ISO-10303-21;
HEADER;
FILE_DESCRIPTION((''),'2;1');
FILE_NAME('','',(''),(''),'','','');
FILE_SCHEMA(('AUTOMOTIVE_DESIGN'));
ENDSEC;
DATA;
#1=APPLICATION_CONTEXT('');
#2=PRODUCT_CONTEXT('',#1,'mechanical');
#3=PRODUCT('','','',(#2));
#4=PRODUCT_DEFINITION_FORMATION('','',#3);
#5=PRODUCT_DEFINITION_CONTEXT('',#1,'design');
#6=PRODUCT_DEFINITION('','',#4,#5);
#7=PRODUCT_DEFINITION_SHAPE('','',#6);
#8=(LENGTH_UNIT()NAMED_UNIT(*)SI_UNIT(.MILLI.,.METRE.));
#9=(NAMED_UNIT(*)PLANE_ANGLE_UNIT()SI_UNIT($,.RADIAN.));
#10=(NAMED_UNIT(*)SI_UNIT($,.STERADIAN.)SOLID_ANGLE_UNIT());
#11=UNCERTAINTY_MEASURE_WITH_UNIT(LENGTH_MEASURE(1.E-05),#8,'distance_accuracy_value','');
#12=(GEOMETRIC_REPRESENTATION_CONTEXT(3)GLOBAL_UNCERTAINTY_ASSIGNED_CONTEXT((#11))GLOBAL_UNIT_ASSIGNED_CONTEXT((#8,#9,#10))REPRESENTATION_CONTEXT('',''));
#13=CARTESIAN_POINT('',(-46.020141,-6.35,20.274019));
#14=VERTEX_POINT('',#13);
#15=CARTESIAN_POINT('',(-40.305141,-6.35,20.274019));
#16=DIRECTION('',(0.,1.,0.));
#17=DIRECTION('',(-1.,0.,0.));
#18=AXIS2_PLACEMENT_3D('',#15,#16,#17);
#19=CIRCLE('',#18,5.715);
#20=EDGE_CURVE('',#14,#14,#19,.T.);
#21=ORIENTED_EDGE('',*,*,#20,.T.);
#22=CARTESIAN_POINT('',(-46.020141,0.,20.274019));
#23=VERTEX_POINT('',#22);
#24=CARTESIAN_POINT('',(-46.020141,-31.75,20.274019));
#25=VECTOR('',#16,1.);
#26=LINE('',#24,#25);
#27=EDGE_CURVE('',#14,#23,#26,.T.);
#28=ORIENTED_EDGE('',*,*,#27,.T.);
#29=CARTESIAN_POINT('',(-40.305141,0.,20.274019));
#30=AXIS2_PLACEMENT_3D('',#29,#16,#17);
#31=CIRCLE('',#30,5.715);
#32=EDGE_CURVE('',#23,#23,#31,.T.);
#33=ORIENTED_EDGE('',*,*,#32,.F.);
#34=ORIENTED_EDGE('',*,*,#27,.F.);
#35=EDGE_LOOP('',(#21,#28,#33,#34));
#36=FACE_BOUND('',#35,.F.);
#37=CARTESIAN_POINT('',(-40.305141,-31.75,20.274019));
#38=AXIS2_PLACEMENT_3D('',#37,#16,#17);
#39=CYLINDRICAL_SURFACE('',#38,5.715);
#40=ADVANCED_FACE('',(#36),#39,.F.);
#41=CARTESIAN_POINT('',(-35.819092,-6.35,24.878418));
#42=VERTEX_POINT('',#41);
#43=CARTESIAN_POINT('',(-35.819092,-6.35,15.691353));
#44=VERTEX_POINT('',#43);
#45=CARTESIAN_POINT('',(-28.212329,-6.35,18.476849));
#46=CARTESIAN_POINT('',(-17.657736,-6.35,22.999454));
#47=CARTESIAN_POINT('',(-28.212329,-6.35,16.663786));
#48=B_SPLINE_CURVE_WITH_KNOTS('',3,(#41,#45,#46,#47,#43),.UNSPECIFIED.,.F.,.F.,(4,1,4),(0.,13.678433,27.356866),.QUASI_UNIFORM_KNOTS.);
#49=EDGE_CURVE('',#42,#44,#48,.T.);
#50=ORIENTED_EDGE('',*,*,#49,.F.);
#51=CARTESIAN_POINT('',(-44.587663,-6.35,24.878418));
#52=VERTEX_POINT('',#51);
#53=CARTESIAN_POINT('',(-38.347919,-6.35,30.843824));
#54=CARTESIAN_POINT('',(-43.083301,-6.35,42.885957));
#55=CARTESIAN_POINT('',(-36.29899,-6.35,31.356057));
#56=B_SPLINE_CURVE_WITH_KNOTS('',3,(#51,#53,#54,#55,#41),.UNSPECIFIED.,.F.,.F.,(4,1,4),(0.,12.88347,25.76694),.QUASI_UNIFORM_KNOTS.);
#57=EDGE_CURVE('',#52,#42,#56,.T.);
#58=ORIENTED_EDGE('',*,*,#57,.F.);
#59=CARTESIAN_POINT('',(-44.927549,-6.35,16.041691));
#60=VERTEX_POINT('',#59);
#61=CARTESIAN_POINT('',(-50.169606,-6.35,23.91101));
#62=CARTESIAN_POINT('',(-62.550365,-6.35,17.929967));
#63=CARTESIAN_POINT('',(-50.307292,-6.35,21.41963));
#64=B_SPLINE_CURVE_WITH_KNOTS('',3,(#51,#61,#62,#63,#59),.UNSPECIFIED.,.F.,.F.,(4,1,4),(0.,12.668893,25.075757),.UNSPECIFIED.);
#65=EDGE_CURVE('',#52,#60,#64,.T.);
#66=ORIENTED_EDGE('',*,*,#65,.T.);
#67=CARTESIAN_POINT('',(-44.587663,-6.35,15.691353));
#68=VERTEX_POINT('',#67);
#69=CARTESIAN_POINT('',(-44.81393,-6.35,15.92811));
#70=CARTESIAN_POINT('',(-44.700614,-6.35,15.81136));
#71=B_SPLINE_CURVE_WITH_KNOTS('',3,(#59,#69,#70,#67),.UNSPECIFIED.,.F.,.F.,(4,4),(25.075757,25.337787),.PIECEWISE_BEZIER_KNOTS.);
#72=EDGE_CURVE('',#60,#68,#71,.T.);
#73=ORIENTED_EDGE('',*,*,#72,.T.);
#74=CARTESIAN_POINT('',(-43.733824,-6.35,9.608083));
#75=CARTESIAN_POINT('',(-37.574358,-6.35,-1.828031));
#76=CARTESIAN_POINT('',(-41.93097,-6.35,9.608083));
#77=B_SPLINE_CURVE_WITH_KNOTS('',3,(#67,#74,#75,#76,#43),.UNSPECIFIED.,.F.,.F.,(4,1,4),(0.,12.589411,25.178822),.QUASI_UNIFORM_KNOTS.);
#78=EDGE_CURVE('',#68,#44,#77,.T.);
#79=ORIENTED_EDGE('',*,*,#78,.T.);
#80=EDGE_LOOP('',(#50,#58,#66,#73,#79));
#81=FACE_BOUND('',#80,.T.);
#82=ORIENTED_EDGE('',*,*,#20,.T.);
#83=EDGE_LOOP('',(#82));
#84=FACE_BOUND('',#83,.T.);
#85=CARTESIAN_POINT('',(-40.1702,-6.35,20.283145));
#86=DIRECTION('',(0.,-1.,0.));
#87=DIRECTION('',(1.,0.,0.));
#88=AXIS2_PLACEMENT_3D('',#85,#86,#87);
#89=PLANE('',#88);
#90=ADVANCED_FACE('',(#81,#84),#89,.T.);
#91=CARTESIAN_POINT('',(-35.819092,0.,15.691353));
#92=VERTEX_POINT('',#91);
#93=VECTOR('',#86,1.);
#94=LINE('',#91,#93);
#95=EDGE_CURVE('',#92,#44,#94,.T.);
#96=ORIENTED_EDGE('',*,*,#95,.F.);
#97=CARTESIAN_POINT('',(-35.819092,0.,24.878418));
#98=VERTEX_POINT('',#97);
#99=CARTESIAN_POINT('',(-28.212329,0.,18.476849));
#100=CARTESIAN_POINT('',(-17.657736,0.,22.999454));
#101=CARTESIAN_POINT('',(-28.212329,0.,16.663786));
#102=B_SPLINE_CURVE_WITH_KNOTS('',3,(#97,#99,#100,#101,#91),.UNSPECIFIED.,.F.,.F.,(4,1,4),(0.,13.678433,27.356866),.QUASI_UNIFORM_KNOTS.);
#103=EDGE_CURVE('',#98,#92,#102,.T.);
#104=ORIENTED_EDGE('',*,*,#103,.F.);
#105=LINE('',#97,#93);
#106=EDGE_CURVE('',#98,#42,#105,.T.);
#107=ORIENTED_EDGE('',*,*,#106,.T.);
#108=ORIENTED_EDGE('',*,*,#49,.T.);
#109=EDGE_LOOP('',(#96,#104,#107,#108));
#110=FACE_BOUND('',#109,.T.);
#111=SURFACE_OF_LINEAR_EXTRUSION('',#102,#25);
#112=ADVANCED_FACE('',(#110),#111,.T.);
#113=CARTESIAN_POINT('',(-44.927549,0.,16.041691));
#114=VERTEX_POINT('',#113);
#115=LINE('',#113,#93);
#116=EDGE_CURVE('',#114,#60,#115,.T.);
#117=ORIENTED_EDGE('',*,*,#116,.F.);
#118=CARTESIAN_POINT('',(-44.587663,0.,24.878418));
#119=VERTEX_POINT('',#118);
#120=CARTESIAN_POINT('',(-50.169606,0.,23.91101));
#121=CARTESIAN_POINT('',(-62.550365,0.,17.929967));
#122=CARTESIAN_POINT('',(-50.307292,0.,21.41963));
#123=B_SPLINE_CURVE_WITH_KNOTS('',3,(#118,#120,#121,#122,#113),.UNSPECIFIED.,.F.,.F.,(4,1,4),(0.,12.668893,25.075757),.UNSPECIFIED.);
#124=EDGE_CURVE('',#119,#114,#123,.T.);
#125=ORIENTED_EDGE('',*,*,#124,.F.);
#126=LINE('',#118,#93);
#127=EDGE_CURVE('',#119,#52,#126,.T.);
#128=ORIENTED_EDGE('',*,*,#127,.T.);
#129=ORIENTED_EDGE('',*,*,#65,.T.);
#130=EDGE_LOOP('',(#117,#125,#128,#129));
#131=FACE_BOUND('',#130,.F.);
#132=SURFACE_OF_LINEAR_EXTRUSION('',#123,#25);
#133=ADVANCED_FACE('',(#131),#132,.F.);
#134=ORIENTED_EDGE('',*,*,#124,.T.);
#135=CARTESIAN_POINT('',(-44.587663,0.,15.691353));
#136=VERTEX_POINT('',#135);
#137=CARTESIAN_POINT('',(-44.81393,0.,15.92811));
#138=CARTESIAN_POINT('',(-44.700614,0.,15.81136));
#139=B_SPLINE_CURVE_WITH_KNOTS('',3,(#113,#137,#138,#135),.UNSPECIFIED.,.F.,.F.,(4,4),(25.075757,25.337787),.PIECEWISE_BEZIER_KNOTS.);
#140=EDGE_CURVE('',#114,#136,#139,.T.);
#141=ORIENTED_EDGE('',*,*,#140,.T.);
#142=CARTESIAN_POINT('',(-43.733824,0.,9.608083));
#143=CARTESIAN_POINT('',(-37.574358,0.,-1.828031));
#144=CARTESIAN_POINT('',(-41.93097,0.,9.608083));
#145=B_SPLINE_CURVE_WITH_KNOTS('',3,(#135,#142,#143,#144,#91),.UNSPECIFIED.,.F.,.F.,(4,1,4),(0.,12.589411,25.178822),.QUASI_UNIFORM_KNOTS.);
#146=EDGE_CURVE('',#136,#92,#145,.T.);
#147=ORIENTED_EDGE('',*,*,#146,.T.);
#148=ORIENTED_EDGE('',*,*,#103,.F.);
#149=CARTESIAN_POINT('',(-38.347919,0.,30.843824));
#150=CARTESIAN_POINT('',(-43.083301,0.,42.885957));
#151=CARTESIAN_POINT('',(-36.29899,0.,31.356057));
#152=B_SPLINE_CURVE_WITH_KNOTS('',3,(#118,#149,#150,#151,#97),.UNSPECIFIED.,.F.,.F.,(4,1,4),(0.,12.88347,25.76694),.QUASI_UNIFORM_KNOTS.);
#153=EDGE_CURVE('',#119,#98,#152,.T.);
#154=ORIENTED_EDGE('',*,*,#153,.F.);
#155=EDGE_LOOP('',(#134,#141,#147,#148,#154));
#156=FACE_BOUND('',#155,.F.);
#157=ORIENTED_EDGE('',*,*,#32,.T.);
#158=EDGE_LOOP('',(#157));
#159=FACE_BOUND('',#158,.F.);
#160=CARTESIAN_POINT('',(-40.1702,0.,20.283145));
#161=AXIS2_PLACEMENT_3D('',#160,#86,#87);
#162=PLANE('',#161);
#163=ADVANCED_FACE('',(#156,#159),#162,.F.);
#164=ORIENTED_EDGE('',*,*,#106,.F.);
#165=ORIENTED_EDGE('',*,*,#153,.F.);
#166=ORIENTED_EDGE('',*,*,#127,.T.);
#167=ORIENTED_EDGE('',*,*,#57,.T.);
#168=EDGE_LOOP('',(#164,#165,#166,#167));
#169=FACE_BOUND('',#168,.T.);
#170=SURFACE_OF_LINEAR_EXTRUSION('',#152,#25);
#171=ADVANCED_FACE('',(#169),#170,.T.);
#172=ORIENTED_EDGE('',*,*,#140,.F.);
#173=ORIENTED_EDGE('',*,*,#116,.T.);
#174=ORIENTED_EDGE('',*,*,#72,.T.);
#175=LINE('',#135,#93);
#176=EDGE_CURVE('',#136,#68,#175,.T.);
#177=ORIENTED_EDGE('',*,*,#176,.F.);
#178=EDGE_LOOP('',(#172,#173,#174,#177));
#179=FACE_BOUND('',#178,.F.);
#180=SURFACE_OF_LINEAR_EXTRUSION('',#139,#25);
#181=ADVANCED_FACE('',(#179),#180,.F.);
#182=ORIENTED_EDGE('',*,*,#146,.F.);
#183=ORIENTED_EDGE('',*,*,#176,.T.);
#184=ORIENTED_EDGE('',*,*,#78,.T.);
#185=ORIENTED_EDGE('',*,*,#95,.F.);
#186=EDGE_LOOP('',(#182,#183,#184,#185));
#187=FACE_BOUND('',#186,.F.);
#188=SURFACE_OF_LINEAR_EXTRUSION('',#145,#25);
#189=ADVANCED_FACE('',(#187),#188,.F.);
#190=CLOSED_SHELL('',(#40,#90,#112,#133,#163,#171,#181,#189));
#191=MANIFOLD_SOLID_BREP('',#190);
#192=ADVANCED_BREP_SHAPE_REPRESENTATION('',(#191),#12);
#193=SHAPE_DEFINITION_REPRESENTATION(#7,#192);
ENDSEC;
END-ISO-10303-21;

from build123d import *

# Parameters (mm, degrees)
F1_DEPTH = 6.35
F3_D     = 11.43
F3_DEPTH = 25.4


with BuildPart() as f1:
    # F0 (on Front) → F1 (new body)
    with BuildSketch(Plane.XZ):
        with BuildLine():
            ThreePointArc((-35.819092, 15.691353), (-34.365454, 17.786657), (-33.853378, 20.284886))
            ThreePointArc((-33.853378, 20.284886), (-34.365454, 22.783114), (-35.819092, 24.878418))
            ThreePointArc((-35.819092, 24.878418), (-40.203378, 26.634886), (-44.587663, 24.878418))
            ThreePointArc((-44.587663, 24.878418), (-46.548686, 20.528945), (-44.927549, 16.041691))
            add(Edge.make_bspline(
                [(-44.927549, 16.041691), (-44.81393, 15.92811), (-44.700614, 15.81136), (-44.587663, 15.691353)],
                knots=[25.075757, 25.075757, 25.075757, 25.075757, 25.337787, 25.337787, 25.337787, 25.337787], degree=3))
            ThreePointArc((-44.587663, 15.691353), (-40.203378, 13.934886), (-35.819092, 15.691353))
        make_face()
        with BuildLine():
            ThreePointArc((-44.587663, 24.878418), (-40.203378, 26.634886), (-35.819092, 24.878418))
            add(Edge.make_bspline(
                [(-44.587663, 24.878418), (-38.347919, 30.843824), (-43.083301, 42.885957), (-36.29899, 31.356057), (-35.819092, 24.878418)],
                knots=[0, 0, 0, 0, 12.88347, 25.76694, 25.76694, 25.76694, 25.76694], degree=3))
        make_face()
        with BuildLine():
            ThreePointArc((-44.927549, 16.041691), (-46.548686, 20.528945), (-44.587663, 24.878418))
            add(Edge.make_bspline(
                [(-44.587663, 24.878418), (-50.169606, 23.91101), (-62.550365, 17.929967), (-50.307292, 21.41963), (-44.927549, 16.041691)],
                knots=[0, 0, 0, 0, 12.668893, 25.075757, 25.075757, 25.075757, 25.075757], degree=3))
        make_face()
        with BuildLine():
            add(Edge.make_bspline(
                [(-44.587663, 15.691353), (-43.733824, 9.608083), (-37.574358, -1.828031), (-41.93097, 9.608083), (-35.819092, 15.691353)],
                knots=[0, 0, 0, 0, 12.589411, 25.178822, 25.178822, 25.178822, 25.178822], degree=3))
            ThreePointArc((-35.819092, 15.691353), (-40.203378, 13.934886), (-44.587663, 15.691353))
        make_face()
        with BuildLine():
            ThreePointArc((-35.819092, 24.878418), (-34.365454, 22.783114), (-33.853378, 20.284886))
            ThreePointArc((-33.853378, 20.284886), (-34.365454, 17.786657), (-35.819092, 15.691353))
            add(Edge.make_bspline(
                [(-35.819092, 24.878418), (-28.212329, 18.476849), (-17.657736, 22.999454), (-28.212329, 16.663786), (-35.819092, 15.691353)],
                knots=[0, 0, 0, 0, 13.678433, 27.356866, 27.356866, 27.356866, 27.356866], degree=3))
        make_face()
    extrude(amount=F1_DEPTH)

    # F3
    with Locations(Plane.XZ.offset(6.35)):
        with Locations((-40.305141, 20.274019)):
            Hole(F3_D / 2, depth=F3_DEPTH)


solid = f1.part
